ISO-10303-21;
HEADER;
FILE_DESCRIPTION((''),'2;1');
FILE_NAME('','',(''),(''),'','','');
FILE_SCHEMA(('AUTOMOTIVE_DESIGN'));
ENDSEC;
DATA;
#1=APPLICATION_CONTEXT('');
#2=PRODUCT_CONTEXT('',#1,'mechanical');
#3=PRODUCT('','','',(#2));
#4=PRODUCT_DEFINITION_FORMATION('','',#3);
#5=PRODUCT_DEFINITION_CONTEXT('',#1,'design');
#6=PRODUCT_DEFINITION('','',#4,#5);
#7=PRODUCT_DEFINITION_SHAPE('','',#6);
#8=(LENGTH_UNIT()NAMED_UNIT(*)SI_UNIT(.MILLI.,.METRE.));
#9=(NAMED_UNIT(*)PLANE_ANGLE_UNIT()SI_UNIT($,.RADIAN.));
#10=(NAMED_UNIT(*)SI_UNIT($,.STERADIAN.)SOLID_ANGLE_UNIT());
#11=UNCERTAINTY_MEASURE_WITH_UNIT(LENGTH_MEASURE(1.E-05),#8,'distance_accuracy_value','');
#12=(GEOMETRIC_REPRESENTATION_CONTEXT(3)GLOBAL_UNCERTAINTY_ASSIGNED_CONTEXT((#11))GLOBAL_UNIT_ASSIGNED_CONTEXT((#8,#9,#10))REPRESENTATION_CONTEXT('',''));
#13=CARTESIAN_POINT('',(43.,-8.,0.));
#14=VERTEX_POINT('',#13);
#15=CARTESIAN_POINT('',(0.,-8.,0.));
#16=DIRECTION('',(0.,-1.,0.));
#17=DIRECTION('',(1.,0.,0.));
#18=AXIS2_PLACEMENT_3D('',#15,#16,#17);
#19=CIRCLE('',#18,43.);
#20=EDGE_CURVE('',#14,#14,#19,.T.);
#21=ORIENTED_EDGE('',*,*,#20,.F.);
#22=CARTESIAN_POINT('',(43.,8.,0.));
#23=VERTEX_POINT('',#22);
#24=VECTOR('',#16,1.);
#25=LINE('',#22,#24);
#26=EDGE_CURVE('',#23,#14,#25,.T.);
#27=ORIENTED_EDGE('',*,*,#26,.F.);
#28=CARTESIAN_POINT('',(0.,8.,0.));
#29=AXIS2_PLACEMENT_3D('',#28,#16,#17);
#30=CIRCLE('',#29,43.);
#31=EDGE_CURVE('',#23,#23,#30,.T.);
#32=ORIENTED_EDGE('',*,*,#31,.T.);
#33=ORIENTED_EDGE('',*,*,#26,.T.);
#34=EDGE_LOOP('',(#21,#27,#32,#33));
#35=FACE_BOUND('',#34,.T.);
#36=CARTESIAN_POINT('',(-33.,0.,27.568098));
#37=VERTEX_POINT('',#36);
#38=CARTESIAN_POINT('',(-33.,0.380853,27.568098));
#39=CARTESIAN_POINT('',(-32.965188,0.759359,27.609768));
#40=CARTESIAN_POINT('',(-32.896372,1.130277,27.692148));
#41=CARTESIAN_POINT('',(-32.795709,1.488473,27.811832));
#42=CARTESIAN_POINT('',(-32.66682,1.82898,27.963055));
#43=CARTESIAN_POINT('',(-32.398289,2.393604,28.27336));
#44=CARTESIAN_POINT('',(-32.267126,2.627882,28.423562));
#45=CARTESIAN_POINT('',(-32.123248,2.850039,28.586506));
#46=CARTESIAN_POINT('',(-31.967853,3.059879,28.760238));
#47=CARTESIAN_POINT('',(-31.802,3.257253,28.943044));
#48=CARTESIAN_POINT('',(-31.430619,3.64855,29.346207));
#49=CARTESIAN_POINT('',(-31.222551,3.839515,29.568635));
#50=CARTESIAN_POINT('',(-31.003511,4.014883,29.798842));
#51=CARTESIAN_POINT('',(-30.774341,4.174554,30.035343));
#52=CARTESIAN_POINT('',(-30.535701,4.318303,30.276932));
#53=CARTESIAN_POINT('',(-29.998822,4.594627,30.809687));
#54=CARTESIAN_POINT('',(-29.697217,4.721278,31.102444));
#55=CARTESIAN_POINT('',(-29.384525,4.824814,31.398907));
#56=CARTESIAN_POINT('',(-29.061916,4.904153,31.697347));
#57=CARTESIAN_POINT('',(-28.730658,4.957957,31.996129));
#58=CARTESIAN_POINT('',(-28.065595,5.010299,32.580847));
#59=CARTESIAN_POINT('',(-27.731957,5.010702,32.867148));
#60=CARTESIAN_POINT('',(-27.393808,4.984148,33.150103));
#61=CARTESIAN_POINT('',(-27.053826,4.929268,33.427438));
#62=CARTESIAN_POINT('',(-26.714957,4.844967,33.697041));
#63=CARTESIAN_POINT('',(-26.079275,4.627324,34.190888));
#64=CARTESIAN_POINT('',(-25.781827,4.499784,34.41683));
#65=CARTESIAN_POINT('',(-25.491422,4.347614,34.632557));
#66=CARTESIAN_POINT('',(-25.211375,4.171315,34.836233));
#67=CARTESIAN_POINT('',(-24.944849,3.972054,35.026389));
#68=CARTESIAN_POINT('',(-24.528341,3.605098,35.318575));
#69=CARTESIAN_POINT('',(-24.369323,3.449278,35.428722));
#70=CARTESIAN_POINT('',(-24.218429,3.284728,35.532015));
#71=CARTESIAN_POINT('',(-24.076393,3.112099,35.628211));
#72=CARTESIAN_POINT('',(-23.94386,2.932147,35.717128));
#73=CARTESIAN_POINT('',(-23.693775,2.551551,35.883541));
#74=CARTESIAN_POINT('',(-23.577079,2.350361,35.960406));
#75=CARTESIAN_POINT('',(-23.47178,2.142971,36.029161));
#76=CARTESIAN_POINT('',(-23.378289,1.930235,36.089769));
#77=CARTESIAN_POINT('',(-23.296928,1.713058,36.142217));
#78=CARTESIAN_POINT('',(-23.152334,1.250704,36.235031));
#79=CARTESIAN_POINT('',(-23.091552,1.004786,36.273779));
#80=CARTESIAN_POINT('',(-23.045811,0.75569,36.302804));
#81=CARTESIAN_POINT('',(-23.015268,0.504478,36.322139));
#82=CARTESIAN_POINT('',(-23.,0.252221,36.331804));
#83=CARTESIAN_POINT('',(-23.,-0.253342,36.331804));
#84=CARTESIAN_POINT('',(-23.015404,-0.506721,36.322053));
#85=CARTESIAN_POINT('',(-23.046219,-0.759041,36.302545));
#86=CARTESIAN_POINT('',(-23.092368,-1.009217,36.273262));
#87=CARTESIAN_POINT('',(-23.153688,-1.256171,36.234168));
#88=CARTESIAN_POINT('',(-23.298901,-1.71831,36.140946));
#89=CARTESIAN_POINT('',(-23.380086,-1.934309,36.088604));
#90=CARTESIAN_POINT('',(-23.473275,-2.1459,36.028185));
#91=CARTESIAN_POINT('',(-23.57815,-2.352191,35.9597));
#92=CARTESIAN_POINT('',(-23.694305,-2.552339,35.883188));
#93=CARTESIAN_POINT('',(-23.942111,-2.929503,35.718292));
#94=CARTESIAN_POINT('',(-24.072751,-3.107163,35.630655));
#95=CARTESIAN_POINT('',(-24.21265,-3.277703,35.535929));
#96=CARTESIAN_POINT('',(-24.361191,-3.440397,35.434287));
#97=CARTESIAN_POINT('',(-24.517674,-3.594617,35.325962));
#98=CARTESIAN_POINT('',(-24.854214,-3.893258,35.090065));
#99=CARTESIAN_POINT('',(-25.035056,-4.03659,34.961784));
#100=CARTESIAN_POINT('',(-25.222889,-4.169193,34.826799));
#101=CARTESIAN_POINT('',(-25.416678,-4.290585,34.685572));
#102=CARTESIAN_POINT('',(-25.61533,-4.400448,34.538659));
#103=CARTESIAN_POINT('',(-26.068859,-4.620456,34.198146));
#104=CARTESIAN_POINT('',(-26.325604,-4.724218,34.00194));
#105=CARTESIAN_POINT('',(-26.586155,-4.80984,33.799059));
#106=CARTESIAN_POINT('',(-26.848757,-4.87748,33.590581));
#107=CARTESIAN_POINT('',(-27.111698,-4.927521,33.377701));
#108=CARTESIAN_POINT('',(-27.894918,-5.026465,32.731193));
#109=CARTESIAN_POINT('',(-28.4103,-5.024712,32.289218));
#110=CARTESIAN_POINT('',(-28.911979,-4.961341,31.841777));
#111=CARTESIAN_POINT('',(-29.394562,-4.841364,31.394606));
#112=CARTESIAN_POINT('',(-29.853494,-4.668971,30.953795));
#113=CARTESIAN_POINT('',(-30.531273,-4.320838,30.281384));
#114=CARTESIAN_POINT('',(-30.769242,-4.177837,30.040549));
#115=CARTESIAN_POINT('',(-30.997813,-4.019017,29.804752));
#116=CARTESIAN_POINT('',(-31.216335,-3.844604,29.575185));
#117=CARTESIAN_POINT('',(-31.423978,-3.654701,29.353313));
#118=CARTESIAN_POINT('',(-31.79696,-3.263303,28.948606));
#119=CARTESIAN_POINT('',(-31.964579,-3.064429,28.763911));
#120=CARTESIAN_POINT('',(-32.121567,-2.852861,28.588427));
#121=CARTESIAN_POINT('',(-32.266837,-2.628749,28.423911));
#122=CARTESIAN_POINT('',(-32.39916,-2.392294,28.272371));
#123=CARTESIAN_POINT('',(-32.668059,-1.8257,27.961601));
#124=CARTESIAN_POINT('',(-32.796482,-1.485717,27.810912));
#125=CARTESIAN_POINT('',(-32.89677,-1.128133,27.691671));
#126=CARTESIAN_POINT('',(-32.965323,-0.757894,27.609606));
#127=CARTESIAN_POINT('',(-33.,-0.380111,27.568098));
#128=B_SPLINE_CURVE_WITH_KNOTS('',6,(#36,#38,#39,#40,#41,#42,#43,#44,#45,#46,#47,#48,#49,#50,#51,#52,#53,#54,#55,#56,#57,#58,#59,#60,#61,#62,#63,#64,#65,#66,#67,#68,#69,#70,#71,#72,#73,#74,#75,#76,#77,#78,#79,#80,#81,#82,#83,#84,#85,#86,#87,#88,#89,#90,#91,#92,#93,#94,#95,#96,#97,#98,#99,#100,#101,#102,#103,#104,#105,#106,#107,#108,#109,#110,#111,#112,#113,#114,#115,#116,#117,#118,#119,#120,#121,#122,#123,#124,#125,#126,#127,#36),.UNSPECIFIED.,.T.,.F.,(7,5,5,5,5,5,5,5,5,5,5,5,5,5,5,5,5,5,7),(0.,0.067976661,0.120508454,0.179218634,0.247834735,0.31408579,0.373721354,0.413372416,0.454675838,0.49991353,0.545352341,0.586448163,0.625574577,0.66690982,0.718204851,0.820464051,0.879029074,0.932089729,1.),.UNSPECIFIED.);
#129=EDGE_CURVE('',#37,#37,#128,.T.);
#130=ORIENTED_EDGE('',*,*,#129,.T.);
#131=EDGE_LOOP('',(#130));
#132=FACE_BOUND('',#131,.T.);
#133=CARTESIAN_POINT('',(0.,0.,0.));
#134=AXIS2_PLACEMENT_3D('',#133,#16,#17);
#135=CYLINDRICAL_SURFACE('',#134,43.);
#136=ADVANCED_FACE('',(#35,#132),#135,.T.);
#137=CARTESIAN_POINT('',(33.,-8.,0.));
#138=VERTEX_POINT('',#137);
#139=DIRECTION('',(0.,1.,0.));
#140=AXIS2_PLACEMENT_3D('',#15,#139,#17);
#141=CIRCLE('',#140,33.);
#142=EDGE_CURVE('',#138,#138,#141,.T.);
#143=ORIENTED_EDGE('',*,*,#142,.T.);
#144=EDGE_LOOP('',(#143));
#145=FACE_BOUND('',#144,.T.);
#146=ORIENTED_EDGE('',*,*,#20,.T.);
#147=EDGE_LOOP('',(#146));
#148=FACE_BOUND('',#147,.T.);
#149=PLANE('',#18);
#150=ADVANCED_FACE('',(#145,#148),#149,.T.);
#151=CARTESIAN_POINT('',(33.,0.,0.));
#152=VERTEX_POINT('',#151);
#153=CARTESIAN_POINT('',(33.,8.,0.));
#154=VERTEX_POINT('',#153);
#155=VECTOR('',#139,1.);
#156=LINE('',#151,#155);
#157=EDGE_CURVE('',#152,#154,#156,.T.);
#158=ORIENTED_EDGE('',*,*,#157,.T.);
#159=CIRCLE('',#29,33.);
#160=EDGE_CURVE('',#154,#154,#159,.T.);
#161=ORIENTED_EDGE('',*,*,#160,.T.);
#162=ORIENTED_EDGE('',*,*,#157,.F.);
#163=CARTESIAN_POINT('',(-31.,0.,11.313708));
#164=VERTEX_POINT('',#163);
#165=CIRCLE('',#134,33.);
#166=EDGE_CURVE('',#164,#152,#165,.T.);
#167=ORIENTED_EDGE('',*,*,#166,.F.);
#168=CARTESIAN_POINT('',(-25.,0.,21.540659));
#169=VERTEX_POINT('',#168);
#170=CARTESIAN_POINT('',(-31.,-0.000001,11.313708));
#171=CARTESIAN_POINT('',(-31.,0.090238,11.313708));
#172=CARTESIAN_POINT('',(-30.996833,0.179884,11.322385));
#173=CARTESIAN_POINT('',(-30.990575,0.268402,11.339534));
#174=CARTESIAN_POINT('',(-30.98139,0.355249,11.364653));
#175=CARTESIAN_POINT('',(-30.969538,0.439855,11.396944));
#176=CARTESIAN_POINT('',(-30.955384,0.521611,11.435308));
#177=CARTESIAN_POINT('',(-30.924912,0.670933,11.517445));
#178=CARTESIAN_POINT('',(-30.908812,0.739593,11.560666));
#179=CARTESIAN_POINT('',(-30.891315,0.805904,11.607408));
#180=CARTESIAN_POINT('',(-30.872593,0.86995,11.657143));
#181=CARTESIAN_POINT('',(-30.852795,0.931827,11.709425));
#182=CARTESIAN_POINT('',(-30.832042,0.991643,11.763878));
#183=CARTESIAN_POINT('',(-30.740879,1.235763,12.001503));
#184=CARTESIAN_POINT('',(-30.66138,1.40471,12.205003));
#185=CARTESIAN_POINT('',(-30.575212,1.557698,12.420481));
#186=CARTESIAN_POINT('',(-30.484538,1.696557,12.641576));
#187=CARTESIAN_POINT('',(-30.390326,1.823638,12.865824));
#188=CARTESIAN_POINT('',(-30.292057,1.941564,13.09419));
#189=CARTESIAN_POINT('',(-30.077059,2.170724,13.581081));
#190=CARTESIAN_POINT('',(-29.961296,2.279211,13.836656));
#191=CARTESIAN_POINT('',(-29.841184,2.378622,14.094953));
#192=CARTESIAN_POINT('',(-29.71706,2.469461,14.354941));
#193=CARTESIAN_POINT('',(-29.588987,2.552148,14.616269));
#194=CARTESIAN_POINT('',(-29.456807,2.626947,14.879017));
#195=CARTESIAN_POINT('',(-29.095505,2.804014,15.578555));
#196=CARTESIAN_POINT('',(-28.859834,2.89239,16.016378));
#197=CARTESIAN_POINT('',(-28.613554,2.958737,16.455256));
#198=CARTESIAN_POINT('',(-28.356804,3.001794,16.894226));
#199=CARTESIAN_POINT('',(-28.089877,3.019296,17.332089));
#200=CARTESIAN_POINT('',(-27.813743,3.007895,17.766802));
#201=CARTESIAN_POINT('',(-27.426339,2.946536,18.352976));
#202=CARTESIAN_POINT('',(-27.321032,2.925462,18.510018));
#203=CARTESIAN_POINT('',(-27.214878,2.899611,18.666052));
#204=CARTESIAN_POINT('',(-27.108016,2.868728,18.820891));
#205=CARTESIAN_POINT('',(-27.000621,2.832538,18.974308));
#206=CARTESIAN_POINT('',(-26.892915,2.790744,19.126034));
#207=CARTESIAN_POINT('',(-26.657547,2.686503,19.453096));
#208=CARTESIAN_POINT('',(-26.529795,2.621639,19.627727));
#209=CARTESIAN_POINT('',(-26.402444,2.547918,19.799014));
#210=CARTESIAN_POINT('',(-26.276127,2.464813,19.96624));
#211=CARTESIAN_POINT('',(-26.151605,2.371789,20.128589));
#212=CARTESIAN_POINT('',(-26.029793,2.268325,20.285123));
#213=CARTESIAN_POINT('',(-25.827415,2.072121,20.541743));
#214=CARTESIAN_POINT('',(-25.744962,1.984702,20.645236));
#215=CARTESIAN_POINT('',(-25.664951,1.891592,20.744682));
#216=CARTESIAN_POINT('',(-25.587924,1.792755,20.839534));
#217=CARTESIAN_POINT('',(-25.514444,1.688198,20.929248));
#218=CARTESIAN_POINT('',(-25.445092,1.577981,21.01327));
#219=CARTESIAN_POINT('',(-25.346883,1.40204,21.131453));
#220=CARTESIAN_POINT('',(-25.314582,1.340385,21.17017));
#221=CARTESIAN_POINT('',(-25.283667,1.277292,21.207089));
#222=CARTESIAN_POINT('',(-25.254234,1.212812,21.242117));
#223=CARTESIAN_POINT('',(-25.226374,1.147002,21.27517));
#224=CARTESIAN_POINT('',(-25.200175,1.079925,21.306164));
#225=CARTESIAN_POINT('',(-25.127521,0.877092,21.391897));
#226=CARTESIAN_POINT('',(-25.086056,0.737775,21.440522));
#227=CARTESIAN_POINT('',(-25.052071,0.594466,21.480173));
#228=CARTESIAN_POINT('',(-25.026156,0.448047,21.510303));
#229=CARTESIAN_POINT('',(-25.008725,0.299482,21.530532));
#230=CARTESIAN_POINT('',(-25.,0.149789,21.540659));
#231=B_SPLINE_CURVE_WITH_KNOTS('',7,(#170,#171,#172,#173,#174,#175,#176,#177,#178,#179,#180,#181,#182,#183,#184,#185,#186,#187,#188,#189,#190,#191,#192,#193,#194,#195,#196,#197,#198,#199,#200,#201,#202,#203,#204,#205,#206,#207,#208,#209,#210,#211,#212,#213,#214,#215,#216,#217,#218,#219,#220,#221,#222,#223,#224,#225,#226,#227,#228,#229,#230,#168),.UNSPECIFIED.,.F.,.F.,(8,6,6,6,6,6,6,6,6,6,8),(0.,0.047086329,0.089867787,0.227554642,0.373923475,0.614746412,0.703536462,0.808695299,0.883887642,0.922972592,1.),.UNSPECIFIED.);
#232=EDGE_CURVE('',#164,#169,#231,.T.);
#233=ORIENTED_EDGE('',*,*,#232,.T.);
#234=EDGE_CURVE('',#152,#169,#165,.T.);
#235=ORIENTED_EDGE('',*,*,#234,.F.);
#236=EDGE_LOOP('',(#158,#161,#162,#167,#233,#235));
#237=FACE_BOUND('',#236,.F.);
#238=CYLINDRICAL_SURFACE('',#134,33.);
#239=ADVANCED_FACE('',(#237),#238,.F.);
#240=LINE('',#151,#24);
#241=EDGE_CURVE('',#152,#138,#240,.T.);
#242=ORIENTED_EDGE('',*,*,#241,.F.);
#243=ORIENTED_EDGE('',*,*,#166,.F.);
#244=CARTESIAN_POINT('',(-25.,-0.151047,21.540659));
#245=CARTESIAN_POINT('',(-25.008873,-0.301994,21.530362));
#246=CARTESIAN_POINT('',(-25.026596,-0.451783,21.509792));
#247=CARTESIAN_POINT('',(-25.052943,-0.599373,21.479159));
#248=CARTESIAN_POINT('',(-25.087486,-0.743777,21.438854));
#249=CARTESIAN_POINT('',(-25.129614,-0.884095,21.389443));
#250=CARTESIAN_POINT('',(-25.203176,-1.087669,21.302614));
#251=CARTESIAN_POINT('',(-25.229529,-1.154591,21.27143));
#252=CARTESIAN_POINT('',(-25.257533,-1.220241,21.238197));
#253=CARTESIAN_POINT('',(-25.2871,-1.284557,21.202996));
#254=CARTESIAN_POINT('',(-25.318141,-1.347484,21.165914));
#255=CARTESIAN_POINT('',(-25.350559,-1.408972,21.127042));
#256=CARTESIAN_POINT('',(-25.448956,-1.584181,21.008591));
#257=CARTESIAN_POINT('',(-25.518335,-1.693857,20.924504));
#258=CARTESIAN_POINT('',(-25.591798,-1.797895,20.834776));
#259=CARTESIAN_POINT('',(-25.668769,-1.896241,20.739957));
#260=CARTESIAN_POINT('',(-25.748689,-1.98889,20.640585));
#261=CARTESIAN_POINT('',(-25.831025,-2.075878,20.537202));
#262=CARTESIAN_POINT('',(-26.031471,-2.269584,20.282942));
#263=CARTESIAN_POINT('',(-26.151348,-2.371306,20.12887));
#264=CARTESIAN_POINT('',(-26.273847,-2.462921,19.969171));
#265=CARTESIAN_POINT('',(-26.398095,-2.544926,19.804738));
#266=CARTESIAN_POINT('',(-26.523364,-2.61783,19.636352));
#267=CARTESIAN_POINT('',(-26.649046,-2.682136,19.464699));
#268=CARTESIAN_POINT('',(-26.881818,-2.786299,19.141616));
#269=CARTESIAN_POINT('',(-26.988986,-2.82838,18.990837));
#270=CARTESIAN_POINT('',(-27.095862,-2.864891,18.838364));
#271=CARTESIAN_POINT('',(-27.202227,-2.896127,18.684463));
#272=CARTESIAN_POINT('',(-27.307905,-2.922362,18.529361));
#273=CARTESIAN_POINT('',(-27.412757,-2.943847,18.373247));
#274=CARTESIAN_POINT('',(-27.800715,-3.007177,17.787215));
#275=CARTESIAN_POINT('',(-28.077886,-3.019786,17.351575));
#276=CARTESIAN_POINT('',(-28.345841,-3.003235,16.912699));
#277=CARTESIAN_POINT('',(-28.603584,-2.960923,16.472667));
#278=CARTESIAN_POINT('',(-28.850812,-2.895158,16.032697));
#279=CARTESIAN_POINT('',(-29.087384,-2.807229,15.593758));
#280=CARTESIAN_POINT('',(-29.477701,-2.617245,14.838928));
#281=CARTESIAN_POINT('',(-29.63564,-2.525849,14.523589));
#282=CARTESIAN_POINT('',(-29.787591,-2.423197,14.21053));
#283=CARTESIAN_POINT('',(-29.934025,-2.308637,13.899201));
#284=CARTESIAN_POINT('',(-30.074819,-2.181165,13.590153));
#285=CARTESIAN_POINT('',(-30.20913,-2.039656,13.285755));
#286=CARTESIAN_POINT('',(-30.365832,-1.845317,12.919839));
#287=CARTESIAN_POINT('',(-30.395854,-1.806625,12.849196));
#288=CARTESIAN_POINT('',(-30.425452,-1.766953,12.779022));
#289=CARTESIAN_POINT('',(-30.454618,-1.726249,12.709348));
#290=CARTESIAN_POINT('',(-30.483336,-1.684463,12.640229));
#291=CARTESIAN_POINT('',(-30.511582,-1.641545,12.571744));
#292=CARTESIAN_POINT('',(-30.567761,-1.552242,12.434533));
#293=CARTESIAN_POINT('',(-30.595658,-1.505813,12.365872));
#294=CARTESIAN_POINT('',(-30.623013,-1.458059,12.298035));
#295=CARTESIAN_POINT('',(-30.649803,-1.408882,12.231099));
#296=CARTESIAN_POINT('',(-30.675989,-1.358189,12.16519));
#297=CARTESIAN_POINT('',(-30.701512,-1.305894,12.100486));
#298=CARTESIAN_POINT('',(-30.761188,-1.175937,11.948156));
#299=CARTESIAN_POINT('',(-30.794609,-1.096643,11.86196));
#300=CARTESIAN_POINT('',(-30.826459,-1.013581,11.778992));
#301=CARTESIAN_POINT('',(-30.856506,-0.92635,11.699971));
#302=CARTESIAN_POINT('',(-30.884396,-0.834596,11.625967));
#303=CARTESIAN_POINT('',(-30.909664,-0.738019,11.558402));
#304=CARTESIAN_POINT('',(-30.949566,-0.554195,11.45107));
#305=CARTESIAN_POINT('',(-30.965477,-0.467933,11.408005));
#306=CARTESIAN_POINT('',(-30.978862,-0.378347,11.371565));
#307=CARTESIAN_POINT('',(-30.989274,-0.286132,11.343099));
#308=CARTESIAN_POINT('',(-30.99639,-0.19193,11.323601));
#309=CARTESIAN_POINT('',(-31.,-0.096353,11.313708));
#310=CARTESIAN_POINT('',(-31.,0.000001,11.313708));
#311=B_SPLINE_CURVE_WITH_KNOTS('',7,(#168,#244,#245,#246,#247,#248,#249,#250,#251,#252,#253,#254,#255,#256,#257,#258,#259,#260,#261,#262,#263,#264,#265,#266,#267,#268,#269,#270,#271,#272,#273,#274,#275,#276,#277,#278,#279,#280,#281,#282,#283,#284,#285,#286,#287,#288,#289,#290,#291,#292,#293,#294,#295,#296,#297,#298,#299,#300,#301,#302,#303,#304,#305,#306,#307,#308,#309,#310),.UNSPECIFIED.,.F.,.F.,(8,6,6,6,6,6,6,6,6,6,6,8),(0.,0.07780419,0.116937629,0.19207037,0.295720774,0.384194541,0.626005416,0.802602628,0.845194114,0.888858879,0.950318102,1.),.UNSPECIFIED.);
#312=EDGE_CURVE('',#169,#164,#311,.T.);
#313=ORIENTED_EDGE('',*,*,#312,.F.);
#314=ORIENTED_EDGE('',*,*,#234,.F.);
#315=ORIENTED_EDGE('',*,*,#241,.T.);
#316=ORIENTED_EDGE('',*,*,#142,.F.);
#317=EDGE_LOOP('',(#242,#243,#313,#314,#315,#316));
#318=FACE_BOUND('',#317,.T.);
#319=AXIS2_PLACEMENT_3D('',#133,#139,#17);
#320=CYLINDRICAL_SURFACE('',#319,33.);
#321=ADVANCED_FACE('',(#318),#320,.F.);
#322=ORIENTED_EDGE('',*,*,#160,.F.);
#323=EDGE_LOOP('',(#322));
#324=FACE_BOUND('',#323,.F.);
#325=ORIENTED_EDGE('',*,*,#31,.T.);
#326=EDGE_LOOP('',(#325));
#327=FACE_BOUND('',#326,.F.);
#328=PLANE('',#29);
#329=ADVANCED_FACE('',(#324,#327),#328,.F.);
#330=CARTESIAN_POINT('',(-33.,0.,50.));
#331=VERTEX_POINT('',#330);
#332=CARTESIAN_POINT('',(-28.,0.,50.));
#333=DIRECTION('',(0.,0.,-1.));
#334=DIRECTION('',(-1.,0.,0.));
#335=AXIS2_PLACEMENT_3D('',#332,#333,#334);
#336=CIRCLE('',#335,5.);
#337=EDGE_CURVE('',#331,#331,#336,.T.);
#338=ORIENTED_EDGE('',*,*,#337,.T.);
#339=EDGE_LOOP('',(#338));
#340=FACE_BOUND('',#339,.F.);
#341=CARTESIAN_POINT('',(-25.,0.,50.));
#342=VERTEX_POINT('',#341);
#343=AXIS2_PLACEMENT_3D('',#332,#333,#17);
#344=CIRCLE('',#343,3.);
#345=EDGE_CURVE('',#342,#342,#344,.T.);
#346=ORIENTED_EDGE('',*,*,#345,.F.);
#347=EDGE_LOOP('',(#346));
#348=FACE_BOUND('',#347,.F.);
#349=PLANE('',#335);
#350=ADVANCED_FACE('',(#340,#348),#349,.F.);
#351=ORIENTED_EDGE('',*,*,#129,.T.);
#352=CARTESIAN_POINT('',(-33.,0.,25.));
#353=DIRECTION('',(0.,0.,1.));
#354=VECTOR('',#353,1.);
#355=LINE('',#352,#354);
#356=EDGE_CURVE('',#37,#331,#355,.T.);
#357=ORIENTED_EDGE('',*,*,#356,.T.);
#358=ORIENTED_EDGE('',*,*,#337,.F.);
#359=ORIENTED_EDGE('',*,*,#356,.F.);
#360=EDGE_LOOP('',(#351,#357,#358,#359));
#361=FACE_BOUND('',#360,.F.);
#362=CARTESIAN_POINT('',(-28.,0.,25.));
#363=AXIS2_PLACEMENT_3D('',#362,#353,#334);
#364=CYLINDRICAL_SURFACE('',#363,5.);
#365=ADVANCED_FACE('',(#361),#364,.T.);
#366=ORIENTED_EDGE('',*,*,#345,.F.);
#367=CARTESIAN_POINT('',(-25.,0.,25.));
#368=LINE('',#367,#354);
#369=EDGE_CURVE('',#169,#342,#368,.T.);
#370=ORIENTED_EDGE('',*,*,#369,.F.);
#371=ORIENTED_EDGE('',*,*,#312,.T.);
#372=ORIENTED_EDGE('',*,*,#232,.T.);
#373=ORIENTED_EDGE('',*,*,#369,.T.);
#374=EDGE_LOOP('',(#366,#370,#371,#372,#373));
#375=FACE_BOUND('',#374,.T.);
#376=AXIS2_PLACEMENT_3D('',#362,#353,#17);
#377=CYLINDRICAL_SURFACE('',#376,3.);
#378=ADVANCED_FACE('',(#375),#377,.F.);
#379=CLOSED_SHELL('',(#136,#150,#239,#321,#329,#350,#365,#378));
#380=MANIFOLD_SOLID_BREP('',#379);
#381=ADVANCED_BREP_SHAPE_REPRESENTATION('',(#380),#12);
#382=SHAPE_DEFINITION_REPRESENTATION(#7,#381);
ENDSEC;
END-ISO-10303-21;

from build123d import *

# Parameters (mm, degrees)
SKETCH001_R       = 43
PAD_DEPTH         = 8
SKETCH002_W       = 5
SKETCH002_H       = 50
SKETCH003_R       = 33
POCKET_DEPTH      = 8.001
POCKET_DEPTH_BACK = 8.001
SKETCH004_W       = 3
SKETCH004_H       = 50


with BuildPart() as part:
    # Sketch001 → Pad (new body, symmetric)
    with BuildSketch(Plane.XZ):
        Circle(SKETCH001_R)
    extrude(amount=PAD_DEPTH, both=True)

    # Sketch002 → Revolution (revolve)
    with BuildSketch(Plane.XZ):
        with Locations((-30.5, 25)):
            Rectangle(SKETCH002_W, SKETCH002_H)
    revolve(axis=Axis((-28, 0, 41.317169), (0, 0, -1)))

    # Sketch003 → Pocket (cut, two sides)
    with BuildSketch(Plane.XZ) as pocket_sk:
        Circle(SKETCH003_R)
    extrude(amount=-POCKET_DEPTH, mode=Mode.SUBTRACT)
    extrude(pocket_sk.sketch, amount=POCKET_DEPTH_BACK, mode=Mode.SUBTRACT)

    # Sketch004 → Groove (revolve, cut)
    with BuildSketch(Plane.XZ):
        with Locations((-26.5, 25)):
            Rectangle(SKETCH004_W, SKETCH004_H)
    revolve(axis=Axis((-28, 0, 41.317169), (0, 0, -1)), mode=Mode.SUBTRACT)


solid = part.part
